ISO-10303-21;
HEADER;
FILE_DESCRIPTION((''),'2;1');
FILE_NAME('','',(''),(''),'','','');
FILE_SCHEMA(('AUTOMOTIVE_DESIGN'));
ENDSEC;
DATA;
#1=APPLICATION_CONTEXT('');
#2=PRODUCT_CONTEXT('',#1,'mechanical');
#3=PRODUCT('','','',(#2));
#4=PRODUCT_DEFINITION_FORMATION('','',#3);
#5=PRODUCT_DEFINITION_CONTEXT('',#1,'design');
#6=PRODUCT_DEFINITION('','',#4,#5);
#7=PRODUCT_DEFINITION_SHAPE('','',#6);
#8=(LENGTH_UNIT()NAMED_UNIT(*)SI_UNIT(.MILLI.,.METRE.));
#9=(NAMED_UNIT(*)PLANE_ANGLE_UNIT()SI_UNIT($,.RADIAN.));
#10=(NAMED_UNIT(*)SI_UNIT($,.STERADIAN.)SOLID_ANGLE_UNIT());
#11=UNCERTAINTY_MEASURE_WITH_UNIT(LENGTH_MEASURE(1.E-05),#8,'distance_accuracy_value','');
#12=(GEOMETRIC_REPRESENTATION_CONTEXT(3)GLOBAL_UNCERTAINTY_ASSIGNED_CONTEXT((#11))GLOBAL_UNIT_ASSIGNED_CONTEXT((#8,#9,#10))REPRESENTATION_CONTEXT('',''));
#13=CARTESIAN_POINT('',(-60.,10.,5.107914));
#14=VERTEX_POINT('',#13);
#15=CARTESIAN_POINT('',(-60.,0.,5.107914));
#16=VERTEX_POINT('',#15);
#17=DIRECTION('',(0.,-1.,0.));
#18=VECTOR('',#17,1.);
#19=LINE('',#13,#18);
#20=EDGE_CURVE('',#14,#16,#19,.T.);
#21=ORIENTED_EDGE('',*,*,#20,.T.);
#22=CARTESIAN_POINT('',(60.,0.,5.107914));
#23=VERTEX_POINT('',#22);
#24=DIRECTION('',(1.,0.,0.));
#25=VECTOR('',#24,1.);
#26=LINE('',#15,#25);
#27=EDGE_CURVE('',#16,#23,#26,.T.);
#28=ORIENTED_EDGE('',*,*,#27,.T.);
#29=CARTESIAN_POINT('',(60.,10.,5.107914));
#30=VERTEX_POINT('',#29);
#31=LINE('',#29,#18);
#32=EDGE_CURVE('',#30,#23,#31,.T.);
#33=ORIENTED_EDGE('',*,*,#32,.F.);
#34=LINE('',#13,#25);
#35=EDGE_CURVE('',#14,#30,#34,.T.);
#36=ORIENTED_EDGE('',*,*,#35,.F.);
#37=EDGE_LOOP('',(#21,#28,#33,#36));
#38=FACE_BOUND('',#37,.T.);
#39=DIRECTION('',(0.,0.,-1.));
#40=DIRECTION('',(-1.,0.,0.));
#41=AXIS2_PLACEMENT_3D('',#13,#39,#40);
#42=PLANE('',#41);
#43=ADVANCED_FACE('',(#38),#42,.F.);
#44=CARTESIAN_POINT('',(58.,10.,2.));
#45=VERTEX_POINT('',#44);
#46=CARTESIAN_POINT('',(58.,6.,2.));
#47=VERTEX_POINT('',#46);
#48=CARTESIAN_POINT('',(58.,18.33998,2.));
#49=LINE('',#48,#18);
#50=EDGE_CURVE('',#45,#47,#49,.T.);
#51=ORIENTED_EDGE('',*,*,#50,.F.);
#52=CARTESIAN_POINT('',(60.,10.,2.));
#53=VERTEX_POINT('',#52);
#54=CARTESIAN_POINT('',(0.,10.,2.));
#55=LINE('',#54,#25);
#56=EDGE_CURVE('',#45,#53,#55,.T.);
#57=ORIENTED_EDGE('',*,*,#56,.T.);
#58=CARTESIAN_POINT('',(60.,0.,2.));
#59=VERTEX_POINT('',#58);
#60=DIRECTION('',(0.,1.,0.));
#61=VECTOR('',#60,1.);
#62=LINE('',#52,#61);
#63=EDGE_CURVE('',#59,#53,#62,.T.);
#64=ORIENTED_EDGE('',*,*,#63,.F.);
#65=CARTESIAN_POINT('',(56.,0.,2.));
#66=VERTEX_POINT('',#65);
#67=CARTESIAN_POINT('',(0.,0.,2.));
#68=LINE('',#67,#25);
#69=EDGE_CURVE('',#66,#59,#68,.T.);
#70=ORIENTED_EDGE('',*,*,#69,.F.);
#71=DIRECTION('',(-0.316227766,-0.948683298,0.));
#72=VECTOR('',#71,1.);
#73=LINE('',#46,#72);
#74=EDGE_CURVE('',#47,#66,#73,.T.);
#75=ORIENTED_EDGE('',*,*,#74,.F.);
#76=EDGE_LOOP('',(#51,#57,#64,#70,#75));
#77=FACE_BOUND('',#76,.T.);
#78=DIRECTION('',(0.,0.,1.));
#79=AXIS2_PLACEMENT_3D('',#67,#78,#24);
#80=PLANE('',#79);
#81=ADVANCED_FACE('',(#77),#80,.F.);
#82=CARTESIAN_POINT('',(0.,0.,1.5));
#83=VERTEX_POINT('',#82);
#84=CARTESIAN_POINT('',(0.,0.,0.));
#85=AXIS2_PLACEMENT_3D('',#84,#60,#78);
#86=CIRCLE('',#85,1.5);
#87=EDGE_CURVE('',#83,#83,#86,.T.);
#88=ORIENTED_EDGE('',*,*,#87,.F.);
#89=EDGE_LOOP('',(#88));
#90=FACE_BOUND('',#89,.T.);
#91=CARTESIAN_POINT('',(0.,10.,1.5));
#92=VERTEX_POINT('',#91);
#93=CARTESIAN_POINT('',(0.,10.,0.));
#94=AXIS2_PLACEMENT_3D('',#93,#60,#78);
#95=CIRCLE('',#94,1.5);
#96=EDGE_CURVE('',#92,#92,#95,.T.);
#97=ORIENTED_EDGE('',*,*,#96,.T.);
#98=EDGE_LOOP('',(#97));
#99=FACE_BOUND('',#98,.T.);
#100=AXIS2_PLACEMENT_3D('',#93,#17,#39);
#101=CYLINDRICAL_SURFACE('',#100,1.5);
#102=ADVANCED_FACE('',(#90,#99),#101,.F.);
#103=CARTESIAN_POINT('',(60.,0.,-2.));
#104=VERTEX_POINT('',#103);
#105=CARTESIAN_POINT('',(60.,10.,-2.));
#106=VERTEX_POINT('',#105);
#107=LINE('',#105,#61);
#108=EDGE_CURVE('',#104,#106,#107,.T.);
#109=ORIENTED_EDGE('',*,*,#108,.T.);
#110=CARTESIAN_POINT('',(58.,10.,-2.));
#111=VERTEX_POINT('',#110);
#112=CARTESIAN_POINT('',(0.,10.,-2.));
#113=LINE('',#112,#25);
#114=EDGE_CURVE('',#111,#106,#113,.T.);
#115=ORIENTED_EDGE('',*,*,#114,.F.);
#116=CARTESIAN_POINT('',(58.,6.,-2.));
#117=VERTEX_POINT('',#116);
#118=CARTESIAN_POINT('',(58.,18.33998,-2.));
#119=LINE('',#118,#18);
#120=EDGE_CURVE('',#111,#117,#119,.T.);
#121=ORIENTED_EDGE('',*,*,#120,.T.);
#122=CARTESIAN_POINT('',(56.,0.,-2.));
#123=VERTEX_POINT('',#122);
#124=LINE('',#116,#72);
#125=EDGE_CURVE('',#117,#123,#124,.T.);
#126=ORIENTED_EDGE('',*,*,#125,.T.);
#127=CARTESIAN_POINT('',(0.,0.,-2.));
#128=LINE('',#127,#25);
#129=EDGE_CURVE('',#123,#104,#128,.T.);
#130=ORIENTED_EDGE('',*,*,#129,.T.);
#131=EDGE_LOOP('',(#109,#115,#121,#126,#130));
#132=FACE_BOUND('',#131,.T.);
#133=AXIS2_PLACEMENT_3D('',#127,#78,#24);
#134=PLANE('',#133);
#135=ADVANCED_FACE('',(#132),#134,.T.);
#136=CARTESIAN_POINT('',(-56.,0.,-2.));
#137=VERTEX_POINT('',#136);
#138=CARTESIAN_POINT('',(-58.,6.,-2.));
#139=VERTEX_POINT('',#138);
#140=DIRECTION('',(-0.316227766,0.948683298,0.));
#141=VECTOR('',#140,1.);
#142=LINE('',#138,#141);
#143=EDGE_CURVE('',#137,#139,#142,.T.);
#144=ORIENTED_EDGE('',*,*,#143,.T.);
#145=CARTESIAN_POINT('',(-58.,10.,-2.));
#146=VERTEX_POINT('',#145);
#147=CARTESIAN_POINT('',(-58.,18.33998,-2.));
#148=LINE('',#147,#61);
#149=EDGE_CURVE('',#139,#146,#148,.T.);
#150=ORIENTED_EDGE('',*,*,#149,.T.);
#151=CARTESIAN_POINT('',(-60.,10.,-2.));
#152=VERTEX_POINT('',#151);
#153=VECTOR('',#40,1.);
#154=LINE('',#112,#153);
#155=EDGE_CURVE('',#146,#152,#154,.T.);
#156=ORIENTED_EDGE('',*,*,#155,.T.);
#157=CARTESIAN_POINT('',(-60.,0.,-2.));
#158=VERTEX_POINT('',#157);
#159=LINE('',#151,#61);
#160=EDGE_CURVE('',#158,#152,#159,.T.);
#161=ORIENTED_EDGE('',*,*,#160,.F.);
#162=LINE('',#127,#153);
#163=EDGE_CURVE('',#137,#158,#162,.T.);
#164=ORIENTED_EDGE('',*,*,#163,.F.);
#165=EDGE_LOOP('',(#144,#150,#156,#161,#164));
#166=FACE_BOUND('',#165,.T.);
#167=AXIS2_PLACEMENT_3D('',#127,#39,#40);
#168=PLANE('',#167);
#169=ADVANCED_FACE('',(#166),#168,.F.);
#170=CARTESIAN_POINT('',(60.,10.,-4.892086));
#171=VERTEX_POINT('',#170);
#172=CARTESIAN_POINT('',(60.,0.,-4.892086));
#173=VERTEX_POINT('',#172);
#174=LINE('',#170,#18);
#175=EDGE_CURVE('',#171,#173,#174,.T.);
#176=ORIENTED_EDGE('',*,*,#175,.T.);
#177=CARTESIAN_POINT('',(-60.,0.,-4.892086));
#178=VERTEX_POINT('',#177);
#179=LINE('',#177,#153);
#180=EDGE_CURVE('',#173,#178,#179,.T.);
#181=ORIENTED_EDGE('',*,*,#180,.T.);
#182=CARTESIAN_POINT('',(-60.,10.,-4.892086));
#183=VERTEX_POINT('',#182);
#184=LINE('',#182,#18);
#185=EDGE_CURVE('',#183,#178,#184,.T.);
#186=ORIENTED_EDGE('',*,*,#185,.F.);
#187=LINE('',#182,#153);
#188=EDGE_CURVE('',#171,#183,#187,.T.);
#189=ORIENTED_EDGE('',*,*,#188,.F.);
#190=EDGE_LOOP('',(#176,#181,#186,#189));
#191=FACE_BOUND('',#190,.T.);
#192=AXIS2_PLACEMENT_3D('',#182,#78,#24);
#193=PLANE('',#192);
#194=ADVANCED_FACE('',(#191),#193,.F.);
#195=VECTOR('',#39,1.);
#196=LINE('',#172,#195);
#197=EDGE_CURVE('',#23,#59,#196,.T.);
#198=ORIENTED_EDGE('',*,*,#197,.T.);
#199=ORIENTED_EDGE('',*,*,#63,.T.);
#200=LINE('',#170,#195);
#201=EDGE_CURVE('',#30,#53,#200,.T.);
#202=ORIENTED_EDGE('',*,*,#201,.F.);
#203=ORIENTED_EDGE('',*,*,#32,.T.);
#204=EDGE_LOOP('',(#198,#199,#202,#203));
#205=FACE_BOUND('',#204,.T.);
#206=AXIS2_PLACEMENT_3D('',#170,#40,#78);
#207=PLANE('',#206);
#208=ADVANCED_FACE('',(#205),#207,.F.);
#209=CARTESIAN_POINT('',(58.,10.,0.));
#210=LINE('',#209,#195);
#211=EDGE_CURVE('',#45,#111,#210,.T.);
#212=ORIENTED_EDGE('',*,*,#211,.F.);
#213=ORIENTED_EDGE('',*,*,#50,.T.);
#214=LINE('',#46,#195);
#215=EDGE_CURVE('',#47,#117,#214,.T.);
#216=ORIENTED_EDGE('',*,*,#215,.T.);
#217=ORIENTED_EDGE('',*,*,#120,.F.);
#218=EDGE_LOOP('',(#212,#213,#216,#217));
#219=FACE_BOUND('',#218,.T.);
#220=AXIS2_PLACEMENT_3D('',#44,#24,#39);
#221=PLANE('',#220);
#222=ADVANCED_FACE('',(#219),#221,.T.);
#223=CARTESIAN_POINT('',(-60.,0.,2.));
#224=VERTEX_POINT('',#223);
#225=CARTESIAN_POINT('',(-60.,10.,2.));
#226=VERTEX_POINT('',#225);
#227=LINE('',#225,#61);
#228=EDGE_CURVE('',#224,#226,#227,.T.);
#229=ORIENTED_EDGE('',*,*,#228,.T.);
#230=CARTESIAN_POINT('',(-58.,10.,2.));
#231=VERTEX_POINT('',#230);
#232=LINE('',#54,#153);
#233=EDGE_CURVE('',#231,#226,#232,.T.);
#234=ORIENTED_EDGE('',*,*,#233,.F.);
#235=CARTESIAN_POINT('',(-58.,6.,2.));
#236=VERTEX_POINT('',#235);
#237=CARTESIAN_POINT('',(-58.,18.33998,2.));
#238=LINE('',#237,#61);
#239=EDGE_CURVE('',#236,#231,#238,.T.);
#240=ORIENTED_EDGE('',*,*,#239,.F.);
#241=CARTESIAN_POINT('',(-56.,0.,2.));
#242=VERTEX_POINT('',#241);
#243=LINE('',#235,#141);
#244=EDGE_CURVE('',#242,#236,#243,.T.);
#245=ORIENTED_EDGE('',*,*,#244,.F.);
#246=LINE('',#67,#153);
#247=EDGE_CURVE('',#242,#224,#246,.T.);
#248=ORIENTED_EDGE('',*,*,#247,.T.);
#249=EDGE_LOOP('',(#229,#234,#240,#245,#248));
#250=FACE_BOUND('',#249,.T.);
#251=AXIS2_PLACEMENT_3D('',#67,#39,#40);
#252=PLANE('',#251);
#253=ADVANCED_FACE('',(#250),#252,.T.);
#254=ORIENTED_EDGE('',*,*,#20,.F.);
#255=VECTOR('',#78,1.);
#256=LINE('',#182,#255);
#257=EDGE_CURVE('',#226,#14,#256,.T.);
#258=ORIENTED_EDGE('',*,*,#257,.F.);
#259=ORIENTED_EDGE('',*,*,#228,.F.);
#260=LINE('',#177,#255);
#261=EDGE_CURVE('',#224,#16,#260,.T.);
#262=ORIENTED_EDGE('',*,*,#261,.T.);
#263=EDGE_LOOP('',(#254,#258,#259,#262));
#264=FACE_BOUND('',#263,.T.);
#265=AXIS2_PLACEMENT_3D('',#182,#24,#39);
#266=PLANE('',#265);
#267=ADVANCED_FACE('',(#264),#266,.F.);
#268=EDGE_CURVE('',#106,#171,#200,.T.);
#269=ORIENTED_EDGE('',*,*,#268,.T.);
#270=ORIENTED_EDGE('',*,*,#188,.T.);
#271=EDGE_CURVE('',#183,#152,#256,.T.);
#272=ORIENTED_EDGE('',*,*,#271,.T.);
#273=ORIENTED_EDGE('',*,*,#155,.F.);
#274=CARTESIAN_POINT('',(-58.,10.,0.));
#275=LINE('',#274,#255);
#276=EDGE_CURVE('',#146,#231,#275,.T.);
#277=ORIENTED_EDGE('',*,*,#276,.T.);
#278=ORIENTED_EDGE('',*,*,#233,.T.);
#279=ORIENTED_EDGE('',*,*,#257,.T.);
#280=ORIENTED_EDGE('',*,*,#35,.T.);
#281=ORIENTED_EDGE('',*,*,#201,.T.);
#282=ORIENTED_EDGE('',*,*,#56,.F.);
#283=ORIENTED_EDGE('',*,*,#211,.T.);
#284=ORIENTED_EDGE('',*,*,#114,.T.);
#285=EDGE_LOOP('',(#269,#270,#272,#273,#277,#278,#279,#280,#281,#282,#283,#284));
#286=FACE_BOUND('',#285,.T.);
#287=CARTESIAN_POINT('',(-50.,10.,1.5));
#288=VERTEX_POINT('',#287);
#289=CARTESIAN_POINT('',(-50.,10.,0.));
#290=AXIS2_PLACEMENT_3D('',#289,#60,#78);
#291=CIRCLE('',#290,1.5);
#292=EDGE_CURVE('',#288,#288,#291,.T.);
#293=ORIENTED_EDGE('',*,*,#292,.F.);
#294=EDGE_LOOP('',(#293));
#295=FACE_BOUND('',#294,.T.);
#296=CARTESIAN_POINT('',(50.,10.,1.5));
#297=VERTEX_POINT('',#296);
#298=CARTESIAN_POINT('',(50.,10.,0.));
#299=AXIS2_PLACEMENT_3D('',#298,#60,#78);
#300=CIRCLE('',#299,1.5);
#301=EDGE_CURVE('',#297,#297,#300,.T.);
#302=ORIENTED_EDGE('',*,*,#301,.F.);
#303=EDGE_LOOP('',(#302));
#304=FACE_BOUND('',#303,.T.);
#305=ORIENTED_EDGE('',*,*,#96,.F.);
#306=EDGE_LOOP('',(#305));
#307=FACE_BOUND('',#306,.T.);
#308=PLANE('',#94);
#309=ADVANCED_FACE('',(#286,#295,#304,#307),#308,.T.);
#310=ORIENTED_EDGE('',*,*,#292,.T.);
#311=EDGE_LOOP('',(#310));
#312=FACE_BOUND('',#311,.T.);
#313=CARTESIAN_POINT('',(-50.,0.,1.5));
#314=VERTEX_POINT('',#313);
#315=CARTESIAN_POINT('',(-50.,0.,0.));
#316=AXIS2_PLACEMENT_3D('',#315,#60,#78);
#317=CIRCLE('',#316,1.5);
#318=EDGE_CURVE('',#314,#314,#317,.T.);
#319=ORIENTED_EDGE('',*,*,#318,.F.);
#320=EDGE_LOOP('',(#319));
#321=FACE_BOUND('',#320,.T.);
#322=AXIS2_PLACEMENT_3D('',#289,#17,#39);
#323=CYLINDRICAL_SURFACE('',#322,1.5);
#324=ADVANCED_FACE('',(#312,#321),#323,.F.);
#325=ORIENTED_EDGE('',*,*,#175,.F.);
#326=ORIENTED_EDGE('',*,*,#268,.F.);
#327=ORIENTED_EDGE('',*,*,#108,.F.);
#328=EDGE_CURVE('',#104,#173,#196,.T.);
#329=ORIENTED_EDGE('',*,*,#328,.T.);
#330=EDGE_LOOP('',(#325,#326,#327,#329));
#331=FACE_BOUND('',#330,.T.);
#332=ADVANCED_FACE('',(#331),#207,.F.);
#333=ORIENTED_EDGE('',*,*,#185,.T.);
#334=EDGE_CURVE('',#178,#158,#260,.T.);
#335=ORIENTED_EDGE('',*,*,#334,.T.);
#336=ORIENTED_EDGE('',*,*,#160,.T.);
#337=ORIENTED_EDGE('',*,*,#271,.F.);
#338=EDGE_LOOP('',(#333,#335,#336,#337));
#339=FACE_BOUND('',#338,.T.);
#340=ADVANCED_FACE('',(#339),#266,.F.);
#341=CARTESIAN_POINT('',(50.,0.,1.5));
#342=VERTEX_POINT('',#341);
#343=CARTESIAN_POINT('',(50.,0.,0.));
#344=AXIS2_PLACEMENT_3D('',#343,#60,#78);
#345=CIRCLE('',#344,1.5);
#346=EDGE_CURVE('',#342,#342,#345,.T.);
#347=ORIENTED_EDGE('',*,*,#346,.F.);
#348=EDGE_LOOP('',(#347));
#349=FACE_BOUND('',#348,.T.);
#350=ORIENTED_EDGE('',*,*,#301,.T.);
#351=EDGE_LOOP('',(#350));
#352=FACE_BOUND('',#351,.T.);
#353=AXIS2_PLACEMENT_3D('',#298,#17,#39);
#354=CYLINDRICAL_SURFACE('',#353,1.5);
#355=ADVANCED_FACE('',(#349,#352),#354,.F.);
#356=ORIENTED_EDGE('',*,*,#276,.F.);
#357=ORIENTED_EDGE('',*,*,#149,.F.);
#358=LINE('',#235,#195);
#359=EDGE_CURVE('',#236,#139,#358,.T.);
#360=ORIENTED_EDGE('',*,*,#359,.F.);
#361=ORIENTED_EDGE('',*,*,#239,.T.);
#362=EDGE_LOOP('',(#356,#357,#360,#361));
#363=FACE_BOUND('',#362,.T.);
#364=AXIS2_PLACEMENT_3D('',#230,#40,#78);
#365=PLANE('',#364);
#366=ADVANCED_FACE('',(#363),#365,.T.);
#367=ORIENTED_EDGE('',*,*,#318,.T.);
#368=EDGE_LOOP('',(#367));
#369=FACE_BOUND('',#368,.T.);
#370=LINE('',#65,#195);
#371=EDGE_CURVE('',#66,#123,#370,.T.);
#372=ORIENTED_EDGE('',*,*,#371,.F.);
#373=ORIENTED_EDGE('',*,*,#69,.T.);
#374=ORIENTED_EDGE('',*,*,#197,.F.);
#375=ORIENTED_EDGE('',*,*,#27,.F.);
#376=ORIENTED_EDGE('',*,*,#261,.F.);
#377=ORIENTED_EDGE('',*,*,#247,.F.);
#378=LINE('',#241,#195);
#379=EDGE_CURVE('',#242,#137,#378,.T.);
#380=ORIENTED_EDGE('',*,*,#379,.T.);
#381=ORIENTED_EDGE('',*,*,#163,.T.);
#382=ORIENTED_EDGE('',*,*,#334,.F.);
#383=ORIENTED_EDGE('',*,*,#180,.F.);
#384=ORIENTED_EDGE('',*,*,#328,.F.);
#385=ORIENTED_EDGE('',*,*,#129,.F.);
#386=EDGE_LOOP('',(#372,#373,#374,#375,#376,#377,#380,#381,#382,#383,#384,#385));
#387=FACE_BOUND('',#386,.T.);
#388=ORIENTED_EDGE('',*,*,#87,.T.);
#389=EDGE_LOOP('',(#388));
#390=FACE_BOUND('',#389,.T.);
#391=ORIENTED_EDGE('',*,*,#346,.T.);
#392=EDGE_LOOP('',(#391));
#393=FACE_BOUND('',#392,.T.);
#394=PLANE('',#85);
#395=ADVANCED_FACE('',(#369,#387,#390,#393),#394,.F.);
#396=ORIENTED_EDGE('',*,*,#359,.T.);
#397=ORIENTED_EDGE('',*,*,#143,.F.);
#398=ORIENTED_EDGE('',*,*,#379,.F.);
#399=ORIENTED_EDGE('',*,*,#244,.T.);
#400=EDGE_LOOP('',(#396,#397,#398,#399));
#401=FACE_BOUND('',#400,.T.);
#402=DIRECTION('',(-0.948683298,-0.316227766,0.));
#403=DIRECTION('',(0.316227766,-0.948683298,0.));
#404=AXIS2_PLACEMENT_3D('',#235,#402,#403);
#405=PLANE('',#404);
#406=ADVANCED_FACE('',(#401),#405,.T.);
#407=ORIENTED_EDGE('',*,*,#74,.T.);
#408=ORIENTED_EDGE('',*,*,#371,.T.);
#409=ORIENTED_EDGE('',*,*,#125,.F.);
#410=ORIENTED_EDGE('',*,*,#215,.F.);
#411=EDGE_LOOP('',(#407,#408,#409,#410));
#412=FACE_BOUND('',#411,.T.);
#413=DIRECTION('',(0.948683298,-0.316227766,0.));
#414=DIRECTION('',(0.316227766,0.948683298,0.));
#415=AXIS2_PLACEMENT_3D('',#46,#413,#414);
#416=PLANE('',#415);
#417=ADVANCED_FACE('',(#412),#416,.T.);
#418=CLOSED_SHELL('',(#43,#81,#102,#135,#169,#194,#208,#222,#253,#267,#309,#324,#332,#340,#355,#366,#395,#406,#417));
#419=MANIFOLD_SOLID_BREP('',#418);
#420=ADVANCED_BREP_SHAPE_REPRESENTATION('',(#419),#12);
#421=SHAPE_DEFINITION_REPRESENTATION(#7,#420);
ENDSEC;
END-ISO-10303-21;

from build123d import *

# Parameters (mm, degrees)
ESQUISSE1_W                  = 120
ESQUISSE1_H                  = 10
ESQUISSE1_R                  = 1.5
BOSS_EXTRU_1_DEPTH           = 10
ENL_V_MAT_EXTRU_1_DEPTH      = 2
ENL_V_MAT_EXTRU_1_DEPTH_BACK = 2


with BuildPart() as part:
    # Esquisse1 → Boss.-Extru.1 (new body)
    with BuildSketch(Plane(origin=(0, 0, 0), x_dir=(1, 0, 0), z_dir=(0, 1, 0))):
        with Locations((0, -0.107913669)):
            Rectangle(ESQUISSE1_W, ESQUISSE1_H)
        with Locations((-50, 0)):
            Circle(ESQUISSE1_R, mode=Mode.SUBTRACT)
        Circle(ESQUISSE1_R, mode=Mode.SUBTRACT)
        with Locations((50, 0)):
            Circle(ESQUISSE1_R, mode=Mode.SUBTRACT)
    extrude(amount=BOSS_EXTRU_1_DEPTH)

    # Esquisse2 → Enlèv. mat.-Extru.1 (cut, two sides)
    with BuildSketch(Plane.XY) as enl_v_mat_extru_1_sk:
        Polygon((-58, 10), (-58, 6), (-56, 0), (-56, -10.800752999), (-73.153181154, -10.800752999), (-73.153181154, 18.339979991), (-58, 18.339979991), align=None)
        Polygon((58, 10), (58, 6), (56, 0), (56, -10.800752999), (73.153181154, -10.800752999), (73.153181154, 18.339979991), (58, 18.339979991), align=None)
    extrude(amount=ENL_V_MAT_EXTRU_1_DEPTH, mode=Mode.SUBTRACT)
    extrude(enl_v_mat_extru_1_sk.sketch, amount=-ENL_V_MAT_EXTRU_1_DEPTH_BACK, mode=Mode.SUBTRACT)


solid = part.part
